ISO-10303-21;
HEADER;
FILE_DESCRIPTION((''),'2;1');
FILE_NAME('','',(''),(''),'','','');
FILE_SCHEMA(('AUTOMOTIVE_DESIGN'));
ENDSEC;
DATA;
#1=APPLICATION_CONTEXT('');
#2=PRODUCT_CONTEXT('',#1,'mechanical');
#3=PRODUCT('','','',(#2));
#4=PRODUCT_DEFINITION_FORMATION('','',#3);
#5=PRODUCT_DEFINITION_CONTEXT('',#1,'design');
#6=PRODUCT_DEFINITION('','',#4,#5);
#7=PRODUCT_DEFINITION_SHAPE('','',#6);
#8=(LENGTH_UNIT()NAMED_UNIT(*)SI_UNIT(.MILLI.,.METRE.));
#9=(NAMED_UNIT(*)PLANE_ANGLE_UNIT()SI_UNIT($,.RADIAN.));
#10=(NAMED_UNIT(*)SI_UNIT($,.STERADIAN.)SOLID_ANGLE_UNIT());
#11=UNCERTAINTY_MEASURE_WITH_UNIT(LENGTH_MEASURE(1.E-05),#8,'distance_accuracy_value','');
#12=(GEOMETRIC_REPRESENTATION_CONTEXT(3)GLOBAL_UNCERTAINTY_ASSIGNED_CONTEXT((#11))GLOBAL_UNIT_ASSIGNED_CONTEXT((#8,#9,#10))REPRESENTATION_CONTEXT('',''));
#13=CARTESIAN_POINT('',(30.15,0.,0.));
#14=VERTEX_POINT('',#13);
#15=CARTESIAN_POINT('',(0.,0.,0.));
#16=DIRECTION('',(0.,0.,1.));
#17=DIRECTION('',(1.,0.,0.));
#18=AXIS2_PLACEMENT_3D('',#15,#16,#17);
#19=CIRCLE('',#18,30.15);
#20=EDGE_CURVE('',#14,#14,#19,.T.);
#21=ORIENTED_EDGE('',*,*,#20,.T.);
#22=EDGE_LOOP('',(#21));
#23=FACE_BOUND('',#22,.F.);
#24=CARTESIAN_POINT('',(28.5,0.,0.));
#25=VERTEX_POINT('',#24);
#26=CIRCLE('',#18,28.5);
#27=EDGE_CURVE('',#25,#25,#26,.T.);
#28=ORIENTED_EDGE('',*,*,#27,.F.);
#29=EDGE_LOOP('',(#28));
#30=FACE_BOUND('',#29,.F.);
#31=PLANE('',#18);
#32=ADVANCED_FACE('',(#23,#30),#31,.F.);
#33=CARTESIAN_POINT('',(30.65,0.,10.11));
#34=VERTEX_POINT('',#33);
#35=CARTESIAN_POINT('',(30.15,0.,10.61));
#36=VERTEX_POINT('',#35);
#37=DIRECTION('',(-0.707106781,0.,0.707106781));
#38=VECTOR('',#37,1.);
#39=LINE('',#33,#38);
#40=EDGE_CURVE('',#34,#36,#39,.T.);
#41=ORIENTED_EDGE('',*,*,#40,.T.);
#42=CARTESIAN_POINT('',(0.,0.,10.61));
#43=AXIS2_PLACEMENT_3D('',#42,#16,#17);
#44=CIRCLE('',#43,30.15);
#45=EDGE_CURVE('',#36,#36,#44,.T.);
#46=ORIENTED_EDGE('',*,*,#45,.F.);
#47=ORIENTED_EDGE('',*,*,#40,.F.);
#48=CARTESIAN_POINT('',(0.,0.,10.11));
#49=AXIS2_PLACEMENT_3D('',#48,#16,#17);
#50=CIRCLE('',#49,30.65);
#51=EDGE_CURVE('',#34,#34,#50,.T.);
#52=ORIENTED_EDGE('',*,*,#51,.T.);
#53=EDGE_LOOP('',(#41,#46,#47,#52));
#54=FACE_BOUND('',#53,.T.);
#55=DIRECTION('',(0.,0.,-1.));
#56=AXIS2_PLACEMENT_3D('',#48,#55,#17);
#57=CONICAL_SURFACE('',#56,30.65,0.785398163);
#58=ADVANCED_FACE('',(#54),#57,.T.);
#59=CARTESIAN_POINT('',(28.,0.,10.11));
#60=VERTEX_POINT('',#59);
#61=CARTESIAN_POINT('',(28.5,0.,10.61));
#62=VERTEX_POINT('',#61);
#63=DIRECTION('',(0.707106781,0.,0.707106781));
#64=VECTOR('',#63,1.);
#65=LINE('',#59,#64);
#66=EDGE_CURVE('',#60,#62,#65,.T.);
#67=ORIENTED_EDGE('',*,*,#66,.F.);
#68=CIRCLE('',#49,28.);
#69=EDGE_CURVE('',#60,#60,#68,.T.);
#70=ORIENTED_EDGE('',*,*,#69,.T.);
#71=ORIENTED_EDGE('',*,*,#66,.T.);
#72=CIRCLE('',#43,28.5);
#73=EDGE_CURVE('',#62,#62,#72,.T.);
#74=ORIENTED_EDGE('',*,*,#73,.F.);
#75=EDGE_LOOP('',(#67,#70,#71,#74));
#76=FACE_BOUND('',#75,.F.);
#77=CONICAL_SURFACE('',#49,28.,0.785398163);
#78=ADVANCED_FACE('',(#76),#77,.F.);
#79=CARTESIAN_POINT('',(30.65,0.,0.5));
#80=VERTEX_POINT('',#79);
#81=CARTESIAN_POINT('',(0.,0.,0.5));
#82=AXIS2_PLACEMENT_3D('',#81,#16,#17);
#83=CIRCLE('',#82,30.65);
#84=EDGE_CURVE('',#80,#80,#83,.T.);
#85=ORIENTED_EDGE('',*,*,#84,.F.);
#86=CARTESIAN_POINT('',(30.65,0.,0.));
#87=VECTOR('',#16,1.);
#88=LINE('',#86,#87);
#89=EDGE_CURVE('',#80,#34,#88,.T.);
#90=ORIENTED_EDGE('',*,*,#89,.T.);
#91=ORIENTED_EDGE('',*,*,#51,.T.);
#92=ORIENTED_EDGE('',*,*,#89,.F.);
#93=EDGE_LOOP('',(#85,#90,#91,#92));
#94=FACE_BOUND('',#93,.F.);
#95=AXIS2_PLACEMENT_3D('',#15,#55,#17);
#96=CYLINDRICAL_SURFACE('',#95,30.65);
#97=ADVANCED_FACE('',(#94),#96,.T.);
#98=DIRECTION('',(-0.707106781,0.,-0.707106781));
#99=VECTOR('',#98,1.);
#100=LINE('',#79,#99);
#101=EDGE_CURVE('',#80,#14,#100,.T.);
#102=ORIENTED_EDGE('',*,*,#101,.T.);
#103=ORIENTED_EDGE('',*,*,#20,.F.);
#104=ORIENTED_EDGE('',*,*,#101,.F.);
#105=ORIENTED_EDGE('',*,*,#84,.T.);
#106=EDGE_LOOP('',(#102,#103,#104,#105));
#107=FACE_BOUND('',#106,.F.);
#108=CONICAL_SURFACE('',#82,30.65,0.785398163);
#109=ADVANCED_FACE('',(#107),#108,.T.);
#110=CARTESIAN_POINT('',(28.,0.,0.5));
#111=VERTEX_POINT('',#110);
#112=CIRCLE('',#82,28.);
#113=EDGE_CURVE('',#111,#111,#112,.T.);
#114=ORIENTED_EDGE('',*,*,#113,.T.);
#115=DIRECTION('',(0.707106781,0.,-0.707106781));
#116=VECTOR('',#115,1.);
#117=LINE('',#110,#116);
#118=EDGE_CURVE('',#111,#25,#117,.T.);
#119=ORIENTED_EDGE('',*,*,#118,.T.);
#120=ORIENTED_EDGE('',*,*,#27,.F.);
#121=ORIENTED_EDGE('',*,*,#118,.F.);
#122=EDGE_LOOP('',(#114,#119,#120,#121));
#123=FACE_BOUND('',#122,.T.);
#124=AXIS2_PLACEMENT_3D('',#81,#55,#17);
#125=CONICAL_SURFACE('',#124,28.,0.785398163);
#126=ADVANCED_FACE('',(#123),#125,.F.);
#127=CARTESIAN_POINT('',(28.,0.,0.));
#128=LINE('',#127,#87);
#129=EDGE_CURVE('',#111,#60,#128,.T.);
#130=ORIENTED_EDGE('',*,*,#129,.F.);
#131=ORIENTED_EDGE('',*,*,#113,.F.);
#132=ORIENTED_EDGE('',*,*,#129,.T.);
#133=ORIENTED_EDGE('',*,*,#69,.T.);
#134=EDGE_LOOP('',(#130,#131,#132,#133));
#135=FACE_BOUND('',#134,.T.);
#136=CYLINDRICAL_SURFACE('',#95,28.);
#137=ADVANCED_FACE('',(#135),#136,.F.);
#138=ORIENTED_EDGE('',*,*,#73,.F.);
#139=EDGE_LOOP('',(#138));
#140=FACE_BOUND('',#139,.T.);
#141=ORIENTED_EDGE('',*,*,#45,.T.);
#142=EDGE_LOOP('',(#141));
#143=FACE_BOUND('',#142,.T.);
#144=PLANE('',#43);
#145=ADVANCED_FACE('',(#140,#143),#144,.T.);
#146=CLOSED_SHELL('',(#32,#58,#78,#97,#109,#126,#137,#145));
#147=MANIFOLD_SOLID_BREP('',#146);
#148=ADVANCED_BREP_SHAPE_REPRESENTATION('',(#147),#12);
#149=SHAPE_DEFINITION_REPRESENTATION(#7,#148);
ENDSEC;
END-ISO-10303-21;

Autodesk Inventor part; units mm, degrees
ref_plane "YZ Plane" through (0, 0, 0) normal (1, 0, 0) x (0, 1, 0)
ref_plane "XZ Plane" through (0, 0, 0) normal (0, 1, 0) x (-1, 0, 0)
ref_plane "XY Plane" through (0, 0, 0) normal (0, 0, 1) x (1, 0, 0)
sketch "草图1" plane through (0, 0, 0) normal (0, 0, 1) x (1, 0, 0)
  circle A0 centre (0, 0) radius 30.65
  circle A1 centre (0, 0) radius 28
extrude "拉伸1" add sketch "草图1" along normal blind 10.61
chamfer "倒角1" distance 0.5 angle 45 4 edges at (-28, 0, 10.61) (-28, 0, 0) (-30.65, 0, 10.61) (-30.65, 0, 0)
properties part number "my_attempt_v2"
